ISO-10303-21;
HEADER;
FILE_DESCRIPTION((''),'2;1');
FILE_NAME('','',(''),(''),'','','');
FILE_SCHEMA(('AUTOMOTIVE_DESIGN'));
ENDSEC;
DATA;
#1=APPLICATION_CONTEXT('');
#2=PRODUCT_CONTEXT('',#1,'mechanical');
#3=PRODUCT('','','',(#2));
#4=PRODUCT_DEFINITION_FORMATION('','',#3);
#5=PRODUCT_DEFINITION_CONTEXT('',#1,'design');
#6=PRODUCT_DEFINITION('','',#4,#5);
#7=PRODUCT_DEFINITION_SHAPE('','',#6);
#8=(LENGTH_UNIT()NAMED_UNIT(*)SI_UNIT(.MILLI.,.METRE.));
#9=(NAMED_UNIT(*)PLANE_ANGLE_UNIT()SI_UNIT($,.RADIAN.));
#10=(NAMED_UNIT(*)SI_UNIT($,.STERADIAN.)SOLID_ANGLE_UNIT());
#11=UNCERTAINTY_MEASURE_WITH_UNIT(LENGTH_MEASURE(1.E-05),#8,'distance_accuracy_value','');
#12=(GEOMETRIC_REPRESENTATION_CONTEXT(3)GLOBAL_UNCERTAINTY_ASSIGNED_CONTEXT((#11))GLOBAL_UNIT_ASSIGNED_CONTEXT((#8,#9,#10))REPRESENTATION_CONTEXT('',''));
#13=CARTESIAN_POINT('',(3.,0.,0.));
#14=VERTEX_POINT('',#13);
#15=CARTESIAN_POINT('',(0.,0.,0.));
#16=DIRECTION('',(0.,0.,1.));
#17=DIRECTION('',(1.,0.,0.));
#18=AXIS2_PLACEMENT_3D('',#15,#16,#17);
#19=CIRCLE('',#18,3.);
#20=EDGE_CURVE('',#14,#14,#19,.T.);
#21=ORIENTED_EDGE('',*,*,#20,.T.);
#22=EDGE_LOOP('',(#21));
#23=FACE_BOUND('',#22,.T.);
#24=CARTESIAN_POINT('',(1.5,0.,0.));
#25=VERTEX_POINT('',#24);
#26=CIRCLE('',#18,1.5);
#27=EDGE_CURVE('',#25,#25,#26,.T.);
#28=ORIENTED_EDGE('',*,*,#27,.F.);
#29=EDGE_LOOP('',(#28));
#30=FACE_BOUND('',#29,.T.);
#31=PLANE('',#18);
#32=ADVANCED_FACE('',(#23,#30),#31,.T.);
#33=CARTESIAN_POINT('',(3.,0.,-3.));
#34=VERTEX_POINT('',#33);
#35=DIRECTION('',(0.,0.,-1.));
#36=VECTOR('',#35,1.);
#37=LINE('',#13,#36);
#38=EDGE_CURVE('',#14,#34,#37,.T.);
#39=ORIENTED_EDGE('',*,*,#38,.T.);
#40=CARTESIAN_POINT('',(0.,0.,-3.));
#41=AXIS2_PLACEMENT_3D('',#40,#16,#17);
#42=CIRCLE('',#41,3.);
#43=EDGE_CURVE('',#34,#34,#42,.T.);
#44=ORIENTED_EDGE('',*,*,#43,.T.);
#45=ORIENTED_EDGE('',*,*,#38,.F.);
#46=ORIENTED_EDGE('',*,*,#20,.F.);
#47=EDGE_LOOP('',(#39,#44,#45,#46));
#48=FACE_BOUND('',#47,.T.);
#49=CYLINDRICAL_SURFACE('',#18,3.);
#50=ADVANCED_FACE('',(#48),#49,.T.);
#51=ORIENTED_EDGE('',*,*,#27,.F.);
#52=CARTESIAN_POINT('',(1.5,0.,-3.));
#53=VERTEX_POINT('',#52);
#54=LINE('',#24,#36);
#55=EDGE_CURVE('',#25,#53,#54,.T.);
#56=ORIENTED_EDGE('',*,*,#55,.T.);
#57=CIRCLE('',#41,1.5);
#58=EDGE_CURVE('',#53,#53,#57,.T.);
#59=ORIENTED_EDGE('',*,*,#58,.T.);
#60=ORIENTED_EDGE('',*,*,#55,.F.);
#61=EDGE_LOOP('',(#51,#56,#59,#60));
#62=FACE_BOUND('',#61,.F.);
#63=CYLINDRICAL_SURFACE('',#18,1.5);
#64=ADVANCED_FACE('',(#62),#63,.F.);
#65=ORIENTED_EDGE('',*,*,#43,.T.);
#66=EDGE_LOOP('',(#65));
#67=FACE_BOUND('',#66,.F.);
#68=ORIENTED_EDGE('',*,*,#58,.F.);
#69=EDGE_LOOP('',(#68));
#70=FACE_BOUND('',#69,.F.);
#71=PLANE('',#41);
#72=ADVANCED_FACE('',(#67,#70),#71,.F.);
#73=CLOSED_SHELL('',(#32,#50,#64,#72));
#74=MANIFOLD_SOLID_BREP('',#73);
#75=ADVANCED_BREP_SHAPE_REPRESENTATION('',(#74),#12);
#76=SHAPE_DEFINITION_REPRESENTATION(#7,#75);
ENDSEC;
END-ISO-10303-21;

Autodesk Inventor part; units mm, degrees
ref_plane "YZ Plane" through (0, 0, 0) normal (1, 0, 0) x (0, 1, 0)
ref_plane "XZ Plane" through (0, 0, 0) normal (0, 1, 0) x (-1, 0, 0)
ref_plane "XY Plane" through (0, 0, 0) normal (0, 0, 1) x (1, 0, 0)
sketch "スケッチ1" plane through (0, 0, 0) normal (0, 0, 1) x (1, 0, 0)
  circle A0 centre (0, 0) radius 3
  circle A1 centre (0, 0) radius 1.5
  dimension "d0" = 6
  dimension "d1" = 3
extrude "押し出し1" add sketch "スケッチ1" against normal blind 3
properties part number "PEAKスペーサーm3中空-3" material "PAEK 樹脂"
